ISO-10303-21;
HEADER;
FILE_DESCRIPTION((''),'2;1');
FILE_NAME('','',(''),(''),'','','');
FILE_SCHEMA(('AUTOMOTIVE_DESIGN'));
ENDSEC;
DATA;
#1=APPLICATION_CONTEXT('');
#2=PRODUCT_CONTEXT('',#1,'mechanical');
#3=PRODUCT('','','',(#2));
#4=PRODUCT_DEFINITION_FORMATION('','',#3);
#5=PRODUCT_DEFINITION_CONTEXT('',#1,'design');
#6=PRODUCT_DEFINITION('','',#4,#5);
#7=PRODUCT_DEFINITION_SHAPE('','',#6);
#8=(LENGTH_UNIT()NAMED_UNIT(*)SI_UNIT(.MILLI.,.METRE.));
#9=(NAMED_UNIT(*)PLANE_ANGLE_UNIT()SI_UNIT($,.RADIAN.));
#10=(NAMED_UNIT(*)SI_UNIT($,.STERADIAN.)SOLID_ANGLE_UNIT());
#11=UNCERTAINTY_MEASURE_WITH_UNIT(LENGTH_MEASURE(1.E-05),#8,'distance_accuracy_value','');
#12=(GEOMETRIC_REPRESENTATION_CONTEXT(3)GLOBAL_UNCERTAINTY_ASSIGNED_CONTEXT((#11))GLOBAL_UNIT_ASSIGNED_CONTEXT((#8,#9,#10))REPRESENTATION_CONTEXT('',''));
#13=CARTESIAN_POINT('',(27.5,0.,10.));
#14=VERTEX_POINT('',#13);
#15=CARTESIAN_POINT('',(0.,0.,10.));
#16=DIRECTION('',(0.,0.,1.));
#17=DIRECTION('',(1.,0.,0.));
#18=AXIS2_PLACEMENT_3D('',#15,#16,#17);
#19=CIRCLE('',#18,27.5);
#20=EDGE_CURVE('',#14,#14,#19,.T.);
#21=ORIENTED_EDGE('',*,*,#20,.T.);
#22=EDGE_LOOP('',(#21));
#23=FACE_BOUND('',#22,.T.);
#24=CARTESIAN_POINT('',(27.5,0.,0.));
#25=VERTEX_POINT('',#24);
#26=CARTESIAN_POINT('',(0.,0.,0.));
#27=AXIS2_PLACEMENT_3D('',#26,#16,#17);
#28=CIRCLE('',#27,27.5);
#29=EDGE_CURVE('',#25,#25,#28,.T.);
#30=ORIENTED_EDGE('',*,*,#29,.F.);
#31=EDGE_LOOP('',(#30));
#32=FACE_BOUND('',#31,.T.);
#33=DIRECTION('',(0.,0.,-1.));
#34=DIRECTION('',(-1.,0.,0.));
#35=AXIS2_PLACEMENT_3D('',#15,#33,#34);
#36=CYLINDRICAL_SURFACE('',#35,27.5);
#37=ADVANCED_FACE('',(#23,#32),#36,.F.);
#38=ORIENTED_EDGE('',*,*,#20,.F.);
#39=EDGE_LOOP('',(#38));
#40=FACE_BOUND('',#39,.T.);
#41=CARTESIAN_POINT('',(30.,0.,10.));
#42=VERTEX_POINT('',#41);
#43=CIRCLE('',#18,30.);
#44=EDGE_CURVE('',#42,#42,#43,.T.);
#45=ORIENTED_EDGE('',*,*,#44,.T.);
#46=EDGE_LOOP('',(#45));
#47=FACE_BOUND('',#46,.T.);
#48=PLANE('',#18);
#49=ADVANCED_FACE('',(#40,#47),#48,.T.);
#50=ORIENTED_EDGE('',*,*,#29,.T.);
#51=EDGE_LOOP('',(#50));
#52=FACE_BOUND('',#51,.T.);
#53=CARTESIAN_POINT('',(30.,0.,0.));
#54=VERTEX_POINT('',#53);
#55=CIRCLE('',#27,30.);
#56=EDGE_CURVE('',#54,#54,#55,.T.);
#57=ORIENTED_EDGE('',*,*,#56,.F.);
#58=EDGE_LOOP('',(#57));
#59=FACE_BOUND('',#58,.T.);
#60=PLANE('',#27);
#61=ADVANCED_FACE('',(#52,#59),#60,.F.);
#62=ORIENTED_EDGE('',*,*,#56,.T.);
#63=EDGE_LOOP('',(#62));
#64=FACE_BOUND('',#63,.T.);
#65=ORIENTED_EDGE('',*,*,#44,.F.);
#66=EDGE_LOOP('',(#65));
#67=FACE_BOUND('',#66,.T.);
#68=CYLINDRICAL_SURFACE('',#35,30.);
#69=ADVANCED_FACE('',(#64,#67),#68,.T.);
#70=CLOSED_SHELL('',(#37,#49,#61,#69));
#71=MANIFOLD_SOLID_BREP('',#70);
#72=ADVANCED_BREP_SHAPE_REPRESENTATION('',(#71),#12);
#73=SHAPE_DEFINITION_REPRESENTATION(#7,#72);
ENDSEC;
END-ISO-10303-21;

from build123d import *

# Parameters (mm, degrees)
SKETCH_1_R      = 30
SKETCH_1_R_2    = 27.5
EXTRUDE_1_DEPTH = 10


with BuildPart() as part:
    # 草图1 → 凸台-拉伸1 (new body)
    with BuildSketch(Plane.XY):
        Circle(SKETCH_1_R)
        Circle(SKETCH_1_R_2, mode=Mode.SUBTRACT)
    extrude(amount=EXTRUDE_1_DEPTH)


solid = part.part
